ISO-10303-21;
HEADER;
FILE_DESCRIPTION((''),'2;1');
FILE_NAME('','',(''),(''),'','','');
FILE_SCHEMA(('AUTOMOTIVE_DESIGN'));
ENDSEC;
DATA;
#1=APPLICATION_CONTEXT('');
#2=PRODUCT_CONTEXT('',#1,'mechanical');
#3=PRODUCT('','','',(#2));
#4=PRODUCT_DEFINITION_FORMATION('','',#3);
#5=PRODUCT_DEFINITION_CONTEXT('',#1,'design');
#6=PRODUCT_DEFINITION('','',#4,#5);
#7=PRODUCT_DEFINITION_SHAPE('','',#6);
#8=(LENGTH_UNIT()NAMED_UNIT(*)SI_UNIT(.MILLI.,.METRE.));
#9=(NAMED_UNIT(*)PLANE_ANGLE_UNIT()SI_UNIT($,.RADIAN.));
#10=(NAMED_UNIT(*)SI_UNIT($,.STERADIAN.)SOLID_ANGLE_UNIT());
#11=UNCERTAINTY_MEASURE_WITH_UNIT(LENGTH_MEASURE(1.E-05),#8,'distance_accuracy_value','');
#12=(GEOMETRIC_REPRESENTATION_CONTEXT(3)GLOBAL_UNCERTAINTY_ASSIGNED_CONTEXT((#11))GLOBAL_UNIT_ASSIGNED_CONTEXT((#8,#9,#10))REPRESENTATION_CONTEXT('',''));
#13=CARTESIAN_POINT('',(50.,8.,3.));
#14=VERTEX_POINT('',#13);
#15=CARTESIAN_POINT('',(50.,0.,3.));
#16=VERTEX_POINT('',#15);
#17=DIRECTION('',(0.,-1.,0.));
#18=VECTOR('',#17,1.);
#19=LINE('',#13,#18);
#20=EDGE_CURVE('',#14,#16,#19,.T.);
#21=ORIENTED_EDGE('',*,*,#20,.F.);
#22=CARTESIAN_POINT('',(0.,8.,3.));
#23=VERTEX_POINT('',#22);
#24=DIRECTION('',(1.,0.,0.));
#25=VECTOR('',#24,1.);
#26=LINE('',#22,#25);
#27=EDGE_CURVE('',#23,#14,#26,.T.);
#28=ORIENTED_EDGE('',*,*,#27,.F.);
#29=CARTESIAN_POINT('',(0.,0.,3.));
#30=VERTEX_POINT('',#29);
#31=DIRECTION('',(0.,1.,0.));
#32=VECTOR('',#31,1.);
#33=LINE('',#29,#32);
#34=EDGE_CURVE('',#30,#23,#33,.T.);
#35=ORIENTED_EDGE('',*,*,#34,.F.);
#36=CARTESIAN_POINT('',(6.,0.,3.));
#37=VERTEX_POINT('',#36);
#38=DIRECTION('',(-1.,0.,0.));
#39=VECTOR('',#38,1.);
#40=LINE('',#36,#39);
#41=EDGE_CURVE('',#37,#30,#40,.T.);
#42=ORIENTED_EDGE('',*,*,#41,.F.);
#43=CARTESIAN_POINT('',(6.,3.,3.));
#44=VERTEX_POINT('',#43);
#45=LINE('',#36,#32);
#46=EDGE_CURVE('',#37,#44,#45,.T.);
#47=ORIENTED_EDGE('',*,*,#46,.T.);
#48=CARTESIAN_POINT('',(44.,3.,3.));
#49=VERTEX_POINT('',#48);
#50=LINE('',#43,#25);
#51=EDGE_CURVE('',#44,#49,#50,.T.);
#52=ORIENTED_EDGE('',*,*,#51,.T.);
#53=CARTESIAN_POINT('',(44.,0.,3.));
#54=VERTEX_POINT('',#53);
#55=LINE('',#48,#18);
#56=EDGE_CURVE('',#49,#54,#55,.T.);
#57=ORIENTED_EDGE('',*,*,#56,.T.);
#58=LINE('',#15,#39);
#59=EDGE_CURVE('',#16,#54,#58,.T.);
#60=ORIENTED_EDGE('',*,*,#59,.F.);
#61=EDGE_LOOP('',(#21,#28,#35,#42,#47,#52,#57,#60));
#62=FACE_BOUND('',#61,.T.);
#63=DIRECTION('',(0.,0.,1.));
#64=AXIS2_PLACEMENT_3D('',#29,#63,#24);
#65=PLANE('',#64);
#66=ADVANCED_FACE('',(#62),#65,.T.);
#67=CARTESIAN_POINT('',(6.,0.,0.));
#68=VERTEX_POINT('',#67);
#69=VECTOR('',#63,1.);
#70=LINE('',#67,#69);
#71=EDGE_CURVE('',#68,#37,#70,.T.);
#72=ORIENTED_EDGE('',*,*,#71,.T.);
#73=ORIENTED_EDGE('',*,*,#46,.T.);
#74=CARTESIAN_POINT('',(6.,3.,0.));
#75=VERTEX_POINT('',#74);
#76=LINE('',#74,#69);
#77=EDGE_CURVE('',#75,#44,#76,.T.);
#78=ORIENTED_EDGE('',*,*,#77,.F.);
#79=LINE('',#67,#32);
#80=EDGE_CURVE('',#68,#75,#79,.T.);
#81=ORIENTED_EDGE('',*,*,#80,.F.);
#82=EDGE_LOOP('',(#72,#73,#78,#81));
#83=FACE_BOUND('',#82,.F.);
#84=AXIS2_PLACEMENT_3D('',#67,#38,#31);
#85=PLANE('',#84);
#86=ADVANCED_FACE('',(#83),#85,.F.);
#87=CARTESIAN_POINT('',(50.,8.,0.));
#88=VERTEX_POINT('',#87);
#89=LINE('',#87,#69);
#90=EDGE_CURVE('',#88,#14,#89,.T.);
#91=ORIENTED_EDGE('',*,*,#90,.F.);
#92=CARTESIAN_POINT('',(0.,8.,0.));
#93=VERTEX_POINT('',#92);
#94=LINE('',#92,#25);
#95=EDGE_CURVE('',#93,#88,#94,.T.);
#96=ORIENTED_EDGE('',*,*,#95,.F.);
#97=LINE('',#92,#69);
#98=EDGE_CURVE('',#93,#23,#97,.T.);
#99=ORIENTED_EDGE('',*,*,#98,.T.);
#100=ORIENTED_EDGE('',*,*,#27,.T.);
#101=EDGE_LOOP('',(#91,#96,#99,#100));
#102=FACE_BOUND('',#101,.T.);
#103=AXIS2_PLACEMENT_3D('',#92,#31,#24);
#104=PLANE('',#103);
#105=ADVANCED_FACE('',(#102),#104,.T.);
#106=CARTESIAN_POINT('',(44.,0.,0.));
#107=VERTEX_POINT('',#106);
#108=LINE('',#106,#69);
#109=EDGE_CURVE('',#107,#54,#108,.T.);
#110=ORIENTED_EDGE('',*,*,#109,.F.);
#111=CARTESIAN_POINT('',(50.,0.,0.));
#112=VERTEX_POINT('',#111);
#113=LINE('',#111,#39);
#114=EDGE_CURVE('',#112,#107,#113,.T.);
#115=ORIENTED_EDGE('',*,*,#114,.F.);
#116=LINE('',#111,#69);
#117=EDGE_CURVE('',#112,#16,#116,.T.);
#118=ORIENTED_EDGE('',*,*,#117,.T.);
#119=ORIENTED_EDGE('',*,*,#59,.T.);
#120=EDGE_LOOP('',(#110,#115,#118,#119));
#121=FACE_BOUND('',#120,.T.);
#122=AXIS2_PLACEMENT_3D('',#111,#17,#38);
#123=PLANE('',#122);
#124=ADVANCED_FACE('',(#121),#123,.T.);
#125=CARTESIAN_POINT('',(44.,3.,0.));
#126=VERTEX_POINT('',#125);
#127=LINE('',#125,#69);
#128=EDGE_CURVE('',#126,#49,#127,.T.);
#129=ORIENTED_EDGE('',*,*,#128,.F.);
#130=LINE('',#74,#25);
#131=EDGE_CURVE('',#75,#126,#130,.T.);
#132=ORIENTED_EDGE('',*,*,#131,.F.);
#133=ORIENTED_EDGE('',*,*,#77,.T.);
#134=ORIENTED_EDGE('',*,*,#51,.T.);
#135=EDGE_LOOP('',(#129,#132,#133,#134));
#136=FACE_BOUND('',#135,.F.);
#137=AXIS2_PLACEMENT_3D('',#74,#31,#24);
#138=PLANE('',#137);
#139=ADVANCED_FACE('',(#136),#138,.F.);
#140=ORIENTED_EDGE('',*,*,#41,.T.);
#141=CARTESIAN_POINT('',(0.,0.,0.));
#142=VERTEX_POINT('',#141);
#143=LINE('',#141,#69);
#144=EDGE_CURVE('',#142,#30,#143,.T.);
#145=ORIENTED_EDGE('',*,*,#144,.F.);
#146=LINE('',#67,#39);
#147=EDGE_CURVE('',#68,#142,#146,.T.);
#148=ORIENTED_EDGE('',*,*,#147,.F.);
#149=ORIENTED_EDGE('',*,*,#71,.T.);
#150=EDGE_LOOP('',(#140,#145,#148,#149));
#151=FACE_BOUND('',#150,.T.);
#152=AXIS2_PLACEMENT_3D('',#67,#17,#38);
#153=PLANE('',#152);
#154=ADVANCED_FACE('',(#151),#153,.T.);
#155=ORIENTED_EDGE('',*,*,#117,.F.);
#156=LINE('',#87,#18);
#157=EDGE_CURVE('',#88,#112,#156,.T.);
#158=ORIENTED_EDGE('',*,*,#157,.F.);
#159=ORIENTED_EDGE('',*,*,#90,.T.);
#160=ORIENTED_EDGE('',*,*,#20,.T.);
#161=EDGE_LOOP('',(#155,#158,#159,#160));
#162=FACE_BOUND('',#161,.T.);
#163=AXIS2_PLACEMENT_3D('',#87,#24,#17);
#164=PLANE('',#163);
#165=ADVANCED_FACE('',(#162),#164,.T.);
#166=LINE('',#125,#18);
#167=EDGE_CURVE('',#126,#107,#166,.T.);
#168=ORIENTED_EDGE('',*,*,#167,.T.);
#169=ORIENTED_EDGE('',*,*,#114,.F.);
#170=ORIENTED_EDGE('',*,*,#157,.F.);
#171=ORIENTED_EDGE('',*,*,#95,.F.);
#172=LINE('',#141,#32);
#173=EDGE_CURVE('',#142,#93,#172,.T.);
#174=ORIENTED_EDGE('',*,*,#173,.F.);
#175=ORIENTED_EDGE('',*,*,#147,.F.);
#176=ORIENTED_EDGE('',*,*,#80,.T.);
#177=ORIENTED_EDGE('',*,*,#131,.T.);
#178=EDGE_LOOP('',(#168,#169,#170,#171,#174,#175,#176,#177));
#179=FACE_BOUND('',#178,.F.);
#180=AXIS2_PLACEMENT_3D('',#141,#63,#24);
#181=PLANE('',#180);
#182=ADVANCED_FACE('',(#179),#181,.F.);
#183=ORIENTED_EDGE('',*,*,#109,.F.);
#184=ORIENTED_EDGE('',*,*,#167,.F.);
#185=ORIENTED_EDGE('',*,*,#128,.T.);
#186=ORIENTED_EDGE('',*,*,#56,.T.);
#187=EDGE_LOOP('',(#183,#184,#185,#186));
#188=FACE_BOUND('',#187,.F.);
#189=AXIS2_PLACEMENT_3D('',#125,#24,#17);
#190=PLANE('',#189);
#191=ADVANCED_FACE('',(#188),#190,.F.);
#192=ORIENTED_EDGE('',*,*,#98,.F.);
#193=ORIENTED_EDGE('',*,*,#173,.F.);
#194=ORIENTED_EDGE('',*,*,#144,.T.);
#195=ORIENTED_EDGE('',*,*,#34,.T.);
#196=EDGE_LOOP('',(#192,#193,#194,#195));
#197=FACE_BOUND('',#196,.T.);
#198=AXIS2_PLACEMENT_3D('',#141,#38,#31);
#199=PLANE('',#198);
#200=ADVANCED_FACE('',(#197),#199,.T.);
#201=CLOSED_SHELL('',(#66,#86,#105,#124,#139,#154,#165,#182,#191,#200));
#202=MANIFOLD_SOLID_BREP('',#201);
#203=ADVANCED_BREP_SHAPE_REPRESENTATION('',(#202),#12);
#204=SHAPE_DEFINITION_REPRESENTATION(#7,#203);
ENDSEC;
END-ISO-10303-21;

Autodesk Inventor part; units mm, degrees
ref_plane "YZ Plane" through (0, 0, 0) normal (1, 0, 0) x (0, 1, 0)
ref_plane "XZ Plane" through (0, 0, 0) normal (0, 1, 0) x (-1, 0, 0)
ref_plane "XY Plane" through (0, 0, 0) normal (0, 0, 1) x (1, 0, 0)
sketch "Boceto1" plane through (0, 0, 0) normal (0, 0, 1) x (1, 0, 0)
  line L0 (0, 8) -> (50, 8)
  line L1 (50, 8) -> (50, 0)
  line L2 (0, 0) -> (0, 8)
  line L3 (6, 0) -> (6, 3)
  line L4 (6, 3) -> (44, 3)
  line L5 (44, 3) -> (44, 0)
  line L6 (50, 0) -> (44, 0)
  line L7 (6, 0) -> (0, 0)
  dimension "d1" = 50
  dimension "d5" = 6
  dimension "d6" = 3
  dimension "d7" = 5
  dimension "d8" = 38
extrude "Extrusión1" add sketch "Boceto1" along normal blind 3
properties part number "Celda pared cremallera"
